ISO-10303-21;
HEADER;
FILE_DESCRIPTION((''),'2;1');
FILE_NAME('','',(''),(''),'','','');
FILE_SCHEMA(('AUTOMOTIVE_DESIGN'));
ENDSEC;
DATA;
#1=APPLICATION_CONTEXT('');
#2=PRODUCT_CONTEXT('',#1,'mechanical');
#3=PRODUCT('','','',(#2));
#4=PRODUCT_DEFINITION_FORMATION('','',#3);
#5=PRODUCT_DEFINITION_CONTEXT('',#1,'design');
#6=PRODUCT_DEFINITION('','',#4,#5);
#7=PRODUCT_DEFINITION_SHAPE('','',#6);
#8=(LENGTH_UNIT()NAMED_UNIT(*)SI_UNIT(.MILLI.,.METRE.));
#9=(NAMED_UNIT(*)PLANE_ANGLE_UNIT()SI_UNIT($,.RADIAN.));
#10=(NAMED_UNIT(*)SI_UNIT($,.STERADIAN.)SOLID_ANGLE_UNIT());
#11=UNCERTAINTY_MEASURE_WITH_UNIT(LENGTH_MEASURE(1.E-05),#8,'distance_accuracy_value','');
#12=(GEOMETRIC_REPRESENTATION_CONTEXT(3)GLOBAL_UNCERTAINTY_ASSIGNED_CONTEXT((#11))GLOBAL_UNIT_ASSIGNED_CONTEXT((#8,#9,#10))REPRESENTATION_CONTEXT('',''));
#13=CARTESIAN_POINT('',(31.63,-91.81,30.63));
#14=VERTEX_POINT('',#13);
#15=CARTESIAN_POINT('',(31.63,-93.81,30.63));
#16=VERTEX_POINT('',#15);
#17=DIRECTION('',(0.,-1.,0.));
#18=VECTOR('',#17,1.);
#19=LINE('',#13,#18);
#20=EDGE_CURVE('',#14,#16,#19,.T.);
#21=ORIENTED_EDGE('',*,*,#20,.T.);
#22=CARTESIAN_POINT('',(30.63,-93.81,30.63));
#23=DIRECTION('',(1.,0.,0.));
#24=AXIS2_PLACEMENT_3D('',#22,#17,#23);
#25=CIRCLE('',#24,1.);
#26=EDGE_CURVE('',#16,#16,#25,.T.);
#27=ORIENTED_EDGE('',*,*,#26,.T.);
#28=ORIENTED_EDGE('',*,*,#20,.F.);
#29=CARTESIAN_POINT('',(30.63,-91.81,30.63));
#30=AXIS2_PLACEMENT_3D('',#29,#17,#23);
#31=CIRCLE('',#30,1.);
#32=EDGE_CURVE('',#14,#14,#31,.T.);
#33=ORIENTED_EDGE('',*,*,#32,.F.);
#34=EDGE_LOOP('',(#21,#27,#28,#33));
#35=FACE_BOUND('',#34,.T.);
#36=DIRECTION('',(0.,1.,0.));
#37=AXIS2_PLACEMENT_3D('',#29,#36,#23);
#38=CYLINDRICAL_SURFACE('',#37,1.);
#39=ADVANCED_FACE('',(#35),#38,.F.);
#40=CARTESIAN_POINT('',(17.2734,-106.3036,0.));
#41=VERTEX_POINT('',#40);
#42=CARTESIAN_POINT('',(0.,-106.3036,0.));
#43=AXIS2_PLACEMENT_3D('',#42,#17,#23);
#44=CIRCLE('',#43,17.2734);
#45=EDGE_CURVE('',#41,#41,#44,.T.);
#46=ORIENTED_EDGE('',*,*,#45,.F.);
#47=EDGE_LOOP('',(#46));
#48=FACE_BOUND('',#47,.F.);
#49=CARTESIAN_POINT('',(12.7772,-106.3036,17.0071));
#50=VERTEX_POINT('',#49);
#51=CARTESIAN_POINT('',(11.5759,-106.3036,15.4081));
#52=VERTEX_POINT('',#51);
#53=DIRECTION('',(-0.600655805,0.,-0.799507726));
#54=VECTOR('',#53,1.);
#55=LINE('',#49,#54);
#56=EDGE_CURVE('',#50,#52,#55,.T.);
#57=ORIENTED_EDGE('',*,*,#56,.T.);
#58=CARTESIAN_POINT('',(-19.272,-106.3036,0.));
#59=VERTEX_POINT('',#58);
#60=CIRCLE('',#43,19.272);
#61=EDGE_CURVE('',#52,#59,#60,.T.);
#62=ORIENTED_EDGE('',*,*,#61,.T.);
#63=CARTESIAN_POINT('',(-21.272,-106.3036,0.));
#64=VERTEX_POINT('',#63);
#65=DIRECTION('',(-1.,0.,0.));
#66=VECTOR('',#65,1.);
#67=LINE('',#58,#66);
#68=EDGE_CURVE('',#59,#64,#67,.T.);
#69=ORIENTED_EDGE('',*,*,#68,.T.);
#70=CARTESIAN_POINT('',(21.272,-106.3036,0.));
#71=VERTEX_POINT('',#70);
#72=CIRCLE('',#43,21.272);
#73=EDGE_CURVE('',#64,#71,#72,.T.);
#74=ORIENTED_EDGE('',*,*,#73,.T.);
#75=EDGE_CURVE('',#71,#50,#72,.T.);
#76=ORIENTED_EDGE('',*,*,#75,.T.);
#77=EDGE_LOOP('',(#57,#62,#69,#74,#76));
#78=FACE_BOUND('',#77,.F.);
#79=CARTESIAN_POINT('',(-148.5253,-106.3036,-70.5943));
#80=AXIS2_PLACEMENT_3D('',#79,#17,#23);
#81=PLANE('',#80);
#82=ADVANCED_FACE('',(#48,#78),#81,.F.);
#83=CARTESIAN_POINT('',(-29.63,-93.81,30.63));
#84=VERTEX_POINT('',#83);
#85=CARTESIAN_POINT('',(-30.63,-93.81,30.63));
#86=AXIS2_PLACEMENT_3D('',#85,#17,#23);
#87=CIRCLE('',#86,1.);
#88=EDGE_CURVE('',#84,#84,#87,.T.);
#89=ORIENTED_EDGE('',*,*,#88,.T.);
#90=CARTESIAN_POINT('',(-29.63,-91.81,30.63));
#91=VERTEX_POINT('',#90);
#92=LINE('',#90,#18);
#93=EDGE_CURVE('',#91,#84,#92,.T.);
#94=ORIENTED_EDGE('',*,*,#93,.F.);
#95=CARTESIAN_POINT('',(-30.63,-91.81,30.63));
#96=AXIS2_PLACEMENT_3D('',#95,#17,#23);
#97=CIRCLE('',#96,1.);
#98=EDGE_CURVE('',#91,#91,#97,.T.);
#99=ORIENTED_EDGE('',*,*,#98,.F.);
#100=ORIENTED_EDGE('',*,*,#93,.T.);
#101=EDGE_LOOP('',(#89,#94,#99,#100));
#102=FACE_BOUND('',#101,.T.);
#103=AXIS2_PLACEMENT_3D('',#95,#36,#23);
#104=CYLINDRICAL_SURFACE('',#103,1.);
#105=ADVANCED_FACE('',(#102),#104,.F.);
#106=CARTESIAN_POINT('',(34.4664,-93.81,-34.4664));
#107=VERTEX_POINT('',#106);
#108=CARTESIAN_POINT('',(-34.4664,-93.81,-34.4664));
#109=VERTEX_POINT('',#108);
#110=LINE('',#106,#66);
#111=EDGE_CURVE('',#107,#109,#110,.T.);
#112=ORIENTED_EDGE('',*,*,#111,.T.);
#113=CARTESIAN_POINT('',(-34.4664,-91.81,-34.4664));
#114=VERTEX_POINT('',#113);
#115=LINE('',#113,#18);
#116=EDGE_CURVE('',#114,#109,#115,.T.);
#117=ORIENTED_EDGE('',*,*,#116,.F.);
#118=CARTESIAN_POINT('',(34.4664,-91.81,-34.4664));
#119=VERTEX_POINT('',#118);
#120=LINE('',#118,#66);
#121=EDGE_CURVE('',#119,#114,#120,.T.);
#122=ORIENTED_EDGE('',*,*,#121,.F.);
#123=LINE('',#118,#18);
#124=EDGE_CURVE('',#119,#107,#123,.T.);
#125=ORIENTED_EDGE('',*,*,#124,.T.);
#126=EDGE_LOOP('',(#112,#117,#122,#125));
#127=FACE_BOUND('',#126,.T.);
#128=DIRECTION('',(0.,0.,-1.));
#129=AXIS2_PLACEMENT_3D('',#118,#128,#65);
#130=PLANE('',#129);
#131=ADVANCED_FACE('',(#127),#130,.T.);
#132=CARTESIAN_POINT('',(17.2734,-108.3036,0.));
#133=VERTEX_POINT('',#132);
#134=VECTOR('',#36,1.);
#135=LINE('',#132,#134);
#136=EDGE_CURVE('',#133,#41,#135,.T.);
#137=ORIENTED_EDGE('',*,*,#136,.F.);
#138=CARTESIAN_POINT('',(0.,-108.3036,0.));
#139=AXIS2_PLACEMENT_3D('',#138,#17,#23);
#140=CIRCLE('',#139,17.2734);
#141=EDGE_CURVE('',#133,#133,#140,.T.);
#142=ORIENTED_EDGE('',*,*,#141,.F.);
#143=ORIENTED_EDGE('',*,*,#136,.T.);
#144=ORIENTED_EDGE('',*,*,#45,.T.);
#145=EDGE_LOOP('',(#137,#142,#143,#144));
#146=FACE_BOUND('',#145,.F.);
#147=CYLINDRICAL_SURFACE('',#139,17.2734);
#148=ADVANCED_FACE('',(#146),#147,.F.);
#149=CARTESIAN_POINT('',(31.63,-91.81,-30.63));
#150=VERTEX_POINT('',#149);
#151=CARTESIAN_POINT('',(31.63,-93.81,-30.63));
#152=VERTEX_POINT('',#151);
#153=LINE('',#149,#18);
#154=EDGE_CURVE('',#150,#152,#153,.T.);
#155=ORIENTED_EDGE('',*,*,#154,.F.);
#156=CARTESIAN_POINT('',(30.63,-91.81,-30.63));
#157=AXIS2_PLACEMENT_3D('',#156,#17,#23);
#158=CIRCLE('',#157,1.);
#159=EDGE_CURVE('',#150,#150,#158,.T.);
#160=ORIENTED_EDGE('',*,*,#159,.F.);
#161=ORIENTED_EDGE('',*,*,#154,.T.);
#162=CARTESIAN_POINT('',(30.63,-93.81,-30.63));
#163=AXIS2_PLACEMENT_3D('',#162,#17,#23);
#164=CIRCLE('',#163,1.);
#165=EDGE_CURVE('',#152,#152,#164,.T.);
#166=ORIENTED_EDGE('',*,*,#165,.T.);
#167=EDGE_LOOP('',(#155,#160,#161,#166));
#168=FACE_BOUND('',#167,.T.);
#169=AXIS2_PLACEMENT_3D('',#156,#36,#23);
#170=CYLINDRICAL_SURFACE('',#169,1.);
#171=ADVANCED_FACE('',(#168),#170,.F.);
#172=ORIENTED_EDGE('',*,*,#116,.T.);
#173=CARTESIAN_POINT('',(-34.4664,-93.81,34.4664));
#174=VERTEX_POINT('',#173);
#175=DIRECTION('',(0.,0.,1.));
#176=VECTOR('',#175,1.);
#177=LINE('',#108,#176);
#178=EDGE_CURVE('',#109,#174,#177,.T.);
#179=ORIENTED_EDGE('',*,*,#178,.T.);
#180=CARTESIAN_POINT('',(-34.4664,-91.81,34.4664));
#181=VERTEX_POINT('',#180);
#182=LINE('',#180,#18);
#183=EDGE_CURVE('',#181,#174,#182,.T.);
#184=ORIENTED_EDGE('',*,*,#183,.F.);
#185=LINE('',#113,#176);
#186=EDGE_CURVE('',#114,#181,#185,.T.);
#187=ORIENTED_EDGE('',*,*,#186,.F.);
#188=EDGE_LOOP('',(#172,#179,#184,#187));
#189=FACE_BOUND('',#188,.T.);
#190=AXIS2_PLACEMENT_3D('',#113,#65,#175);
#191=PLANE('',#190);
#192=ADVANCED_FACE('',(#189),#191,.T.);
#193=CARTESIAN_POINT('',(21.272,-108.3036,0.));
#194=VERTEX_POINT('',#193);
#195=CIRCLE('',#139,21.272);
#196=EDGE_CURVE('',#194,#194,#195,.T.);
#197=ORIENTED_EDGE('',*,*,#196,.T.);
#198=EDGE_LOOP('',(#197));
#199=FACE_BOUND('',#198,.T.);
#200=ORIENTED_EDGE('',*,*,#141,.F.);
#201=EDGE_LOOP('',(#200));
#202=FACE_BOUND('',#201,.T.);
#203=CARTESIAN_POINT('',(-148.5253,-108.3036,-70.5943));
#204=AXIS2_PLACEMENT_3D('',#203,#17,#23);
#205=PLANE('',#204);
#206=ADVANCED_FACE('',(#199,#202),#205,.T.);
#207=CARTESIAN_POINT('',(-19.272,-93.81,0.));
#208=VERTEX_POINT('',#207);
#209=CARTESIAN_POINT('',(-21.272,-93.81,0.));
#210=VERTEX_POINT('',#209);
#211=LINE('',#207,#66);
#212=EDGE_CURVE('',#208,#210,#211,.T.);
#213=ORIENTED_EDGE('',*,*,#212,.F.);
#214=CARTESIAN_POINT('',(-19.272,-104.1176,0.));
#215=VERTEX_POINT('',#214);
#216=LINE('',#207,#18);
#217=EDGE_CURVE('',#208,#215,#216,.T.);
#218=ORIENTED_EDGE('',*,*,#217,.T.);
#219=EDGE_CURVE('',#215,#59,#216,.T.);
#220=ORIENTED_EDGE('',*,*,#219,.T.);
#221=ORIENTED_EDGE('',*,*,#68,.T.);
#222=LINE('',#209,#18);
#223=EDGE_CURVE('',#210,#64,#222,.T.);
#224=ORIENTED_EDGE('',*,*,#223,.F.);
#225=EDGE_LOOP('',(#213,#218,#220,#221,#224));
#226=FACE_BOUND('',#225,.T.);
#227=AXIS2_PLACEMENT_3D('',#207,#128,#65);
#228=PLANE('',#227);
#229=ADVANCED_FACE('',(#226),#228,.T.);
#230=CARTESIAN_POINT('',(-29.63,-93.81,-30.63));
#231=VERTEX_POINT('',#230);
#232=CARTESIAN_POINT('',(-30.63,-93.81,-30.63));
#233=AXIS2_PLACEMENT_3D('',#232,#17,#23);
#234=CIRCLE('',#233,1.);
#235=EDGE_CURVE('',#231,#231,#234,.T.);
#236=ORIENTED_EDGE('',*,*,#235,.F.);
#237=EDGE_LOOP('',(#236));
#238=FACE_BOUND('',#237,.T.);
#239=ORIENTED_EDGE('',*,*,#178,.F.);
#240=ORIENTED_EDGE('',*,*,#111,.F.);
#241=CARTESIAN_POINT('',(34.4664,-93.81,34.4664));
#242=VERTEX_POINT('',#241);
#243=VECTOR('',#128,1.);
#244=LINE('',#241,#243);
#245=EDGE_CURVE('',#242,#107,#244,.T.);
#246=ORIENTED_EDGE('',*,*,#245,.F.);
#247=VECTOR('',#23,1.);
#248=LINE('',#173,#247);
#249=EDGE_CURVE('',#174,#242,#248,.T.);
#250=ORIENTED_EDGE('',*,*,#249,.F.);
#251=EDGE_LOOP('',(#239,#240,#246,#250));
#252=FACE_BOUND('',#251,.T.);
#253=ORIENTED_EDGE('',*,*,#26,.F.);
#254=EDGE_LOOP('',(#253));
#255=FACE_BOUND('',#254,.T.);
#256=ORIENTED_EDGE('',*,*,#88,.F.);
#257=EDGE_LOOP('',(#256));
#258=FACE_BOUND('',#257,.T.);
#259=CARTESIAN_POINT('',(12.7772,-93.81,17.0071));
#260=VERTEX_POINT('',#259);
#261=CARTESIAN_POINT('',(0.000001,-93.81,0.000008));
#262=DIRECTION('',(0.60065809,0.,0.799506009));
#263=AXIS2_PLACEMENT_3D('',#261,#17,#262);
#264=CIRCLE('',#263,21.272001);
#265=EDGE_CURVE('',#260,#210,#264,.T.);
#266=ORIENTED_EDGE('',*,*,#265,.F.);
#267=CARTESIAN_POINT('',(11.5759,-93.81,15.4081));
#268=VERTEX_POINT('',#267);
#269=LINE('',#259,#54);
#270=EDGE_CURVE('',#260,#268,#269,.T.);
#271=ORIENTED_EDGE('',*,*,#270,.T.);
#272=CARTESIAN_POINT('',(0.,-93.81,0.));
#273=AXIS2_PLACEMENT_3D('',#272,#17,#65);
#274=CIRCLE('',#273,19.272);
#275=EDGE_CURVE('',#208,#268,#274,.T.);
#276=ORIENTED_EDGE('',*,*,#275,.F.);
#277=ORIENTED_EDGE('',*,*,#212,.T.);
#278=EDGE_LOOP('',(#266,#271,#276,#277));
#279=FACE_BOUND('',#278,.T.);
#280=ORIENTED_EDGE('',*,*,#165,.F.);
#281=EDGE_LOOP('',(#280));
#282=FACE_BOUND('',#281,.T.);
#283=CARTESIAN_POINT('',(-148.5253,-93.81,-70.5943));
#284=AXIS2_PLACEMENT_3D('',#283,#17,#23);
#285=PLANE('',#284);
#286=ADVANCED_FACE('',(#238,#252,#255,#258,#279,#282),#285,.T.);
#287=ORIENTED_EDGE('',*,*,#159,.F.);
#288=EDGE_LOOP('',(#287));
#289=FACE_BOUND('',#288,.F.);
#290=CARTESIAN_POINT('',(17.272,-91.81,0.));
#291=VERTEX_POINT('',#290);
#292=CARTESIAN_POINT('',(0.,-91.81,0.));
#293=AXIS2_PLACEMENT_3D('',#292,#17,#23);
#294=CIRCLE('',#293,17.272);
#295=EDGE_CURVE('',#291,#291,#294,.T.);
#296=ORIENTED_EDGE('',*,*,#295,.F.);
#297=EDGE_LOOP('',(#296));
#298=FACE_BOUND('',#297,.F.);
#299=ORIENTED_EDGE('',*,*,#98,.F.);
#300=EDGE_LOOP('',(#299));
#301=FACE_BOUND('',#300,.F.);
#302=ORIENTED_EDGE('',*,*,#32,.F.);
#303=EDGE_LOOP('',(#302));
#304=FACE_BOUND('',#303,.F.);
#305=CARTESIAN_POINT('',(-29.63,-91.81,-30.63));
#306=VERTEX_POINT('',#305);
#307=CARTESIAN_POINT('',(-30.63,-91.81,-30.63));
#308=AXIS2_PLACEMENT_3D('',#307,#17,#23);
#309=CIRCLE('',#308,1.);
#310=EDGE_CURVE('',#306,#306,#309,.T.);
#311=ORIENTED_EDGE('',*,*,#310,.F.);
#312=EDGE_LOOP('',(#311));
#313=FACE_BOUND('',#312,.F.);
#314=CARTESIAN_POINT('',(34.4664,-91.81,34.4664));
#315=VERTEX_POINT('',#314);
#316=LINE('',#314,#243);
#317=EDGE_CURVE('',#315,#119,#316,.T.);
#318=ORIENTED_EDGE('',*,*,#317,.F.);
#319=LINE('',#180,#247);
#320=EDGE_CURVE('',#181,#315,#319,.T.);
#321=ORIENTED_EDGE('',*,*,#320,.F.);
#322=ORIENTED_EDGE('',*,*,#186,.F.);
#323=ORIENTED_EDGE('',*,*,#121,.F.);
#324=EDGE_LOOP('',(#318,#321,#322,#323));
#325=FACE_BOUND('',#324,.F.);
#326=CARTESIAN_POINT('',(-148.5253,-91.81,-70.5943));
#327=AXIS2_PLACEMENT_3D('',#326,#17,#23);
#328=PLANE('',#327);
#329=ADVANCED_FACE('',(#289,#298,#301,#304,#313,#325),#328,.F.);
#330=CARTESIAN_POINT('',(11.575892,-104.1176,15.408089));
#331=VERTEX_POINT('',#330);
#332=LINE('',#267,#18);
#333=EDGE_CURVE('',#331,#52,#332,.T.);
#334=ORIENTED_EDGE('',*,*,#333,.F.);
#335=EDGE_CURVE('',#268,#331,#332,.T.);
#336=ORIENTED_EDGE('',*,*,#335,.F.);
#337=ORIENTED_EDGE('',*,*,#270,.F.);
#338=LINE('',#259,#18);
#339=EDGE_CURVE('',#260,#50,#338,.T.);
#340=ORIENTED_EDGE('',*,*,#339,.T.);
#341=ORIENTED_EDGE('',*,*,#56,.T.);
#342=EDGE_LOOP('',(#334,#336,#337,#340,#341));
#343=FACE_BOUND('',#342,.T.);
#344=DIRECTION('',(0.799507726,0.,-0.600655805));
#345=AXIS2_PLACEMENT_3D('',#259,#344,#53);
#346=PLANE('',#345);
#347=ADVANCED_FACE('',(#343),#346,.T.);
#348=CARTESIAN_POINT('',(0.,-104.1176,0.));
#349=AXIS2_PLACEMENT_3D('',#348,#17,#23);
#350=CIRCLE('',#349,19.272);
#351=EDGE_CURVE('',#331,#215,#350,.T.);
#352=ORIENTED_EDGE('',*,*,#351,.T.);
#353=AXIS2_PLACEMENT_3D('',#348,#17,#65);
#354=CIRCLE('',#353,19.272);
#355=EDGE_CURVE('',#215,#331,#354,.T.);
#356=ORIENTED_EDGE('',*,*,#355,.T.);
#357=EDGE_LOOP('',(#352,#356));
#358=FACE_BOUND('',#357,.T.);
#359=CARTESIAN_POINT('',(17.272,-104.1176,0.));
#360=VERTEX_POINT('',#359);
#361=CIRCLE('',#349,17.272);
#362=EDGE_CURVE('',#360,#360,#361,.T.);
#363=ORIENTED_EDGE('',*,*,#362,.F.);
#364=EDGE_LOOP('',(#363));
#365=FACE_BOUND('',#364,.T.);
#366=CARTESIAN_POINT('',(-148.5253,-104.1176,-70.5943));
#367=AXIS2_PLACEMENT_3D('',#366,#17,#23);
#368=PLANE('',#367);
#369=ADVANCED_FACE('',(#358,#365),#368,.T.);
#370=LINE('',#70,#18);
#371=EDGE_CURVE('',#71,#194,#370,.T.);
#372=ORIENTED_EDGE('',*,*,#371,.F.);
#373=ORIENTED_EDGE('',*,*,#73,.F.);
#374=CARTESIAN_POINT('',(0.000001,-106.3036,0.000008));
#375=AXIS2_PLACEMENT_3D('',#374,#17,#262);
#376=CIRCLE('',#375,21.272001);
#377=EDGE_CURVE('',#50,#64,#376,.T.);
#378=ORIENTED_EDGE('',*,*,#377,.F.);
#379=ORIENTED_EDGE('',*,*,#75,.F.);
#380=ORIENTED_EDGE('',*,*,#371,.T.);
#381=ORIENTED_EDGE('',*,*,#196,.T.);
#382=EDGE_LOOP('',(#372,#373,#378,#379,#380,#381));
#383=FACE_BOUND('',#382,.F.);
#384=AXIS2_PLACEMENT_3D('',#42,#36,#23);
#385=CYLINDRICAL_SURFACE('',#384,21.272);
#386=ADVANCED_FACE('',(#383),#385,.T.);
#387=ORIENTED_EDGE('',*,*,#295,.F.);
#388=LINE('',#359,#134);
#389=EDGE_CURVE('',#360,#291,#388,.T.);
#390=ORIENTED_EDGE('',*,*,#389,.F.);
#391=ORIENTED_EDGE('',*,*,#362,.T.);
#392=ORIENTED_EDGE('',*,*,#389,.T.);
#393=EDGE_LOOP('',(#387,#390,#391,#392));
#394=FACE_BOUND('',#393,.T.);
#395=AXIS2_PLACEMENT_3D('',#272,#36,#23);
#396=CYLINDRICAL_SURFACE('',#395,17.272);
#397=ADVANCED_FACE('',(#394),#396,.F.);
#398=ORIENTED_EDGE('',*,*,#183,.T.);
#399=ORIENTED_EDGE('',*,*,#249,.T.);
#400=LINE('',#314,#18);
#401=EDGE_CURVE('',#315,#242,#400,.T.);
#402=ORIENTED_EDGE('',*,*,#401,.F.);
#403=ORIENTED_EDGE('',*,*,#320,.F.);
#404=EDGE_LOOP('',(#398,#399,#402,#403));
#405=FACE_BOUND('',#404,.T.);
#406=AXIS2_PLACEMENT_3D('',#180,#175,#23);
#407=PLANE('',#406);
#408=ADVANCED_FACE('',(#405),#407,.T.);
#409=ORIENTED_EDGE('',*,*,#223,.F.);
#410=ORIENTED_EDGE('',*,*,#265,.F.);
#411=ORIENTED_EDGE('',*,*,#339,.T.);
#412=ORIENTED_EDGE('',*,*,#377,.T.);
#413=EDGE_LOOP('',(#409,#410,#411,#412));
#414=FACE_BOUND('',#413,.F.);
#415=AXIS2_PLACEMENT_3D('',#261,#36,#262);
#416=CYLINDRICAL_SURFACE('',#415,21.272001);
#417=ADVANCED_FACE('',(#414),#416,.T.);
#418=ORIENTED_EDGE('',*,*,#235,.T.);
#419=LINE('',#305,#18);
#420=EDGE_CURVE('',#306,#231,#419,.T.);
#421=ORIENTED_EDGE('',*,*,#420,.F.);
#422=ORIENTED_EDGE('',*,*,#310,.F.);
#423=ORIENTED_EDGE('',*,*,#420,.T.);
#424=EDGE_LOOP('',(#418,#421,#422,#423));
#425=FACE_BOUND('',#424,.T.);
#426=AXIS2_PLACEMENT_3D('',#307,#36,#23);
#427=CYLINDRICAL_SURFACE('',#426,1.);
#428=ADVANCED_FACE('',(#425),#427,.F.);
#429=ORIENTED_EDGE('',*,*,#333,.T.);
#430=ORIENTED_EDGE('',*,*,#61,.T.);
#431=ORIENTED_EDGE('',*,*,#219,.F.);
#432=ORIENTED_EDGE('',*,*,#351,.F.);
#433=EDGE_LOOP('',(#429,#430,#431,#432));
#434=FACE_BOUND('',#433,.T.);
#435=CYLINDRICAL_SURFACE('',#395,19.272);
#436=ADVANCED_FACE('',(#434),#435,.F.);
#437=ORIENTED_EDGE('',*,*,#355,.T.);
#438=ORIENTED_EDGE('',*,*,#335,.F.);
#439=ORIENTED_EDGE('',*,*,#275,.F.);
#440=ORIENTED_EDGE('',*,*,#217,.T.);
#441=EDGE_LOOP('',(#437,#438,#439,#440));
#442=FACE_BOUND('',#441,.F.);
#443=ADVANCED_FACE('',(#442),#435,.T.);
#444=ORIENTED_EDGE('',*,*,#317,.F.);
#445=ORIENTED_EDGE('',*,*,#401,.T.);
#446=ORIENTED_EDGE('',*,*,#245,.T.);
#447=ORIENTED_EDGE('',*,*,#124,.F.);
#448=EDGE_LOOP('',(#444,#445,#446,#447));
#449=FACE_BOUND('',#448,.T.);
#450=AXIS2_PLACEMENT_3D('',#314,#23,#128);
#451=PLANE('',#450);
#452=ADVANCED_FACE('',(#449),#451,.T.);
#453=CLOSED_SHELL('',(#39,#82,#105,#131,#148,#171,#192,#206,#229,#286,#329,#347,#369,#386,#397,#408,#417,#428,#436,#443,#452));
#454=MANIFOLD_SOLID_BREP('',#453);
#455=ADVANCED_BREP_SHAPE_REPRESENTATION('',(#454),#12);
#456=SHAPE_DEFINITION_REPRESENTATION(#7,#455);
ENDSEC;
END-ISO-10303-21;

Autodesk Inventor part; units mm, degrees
ref_plane "Work Plane1" through (-148.5253, -91.81, -70.5943) normal (0, -1, 0) x (1, 0, 0)
sketch "Sketch6" plane through (-148.5253, -91.81, -70.5943) normal (0, -1, 0) x (1, 0, 0)
  line L0 (182.9917, 36.1279) -> (114.0589, 36.1279) projected
  line L1 (182.9917, 105.0607) -> (182.9917, 36.1279) projected
  line L2 (114.0589, 36.1279) -> (114.0589, 105.0607) projected
  line L3 (114.0589, 105.0607) -> (182.9917, 105.0607) projected
  circle A0 centre (179.1553, 101.2243) radius 1 projected
  circle A1 centre (117.8953, 101.2243) radius 1 projected
  circle A2 centre (117.8953, 39.9643) radius 1 projected
  circle A3 centre (179.1553, 39.9643) radius 1 projected
  point P0 (148.5253, 70.5943)
extrude "Extrusion1" add sketch "Sketch6" along normal blind 2
ref_plane "Work Plane3" through (-148.5253, -93.81, -70.5943) normal (0, -1, 0) x (1, 0, 0)
sketch "Sketch7" plane through (-148.5253, -93.81, -70.5943) normal (0, -1, 0) x (1, 0, 0)
  circle A0 centre (148.5253, 70.5943) radius 17.272
  dimension "d3" = 34.544
extrude "Extrusion2" cut sketch "Sketch7" against normal blind 2
ref_plane "Work Plane2" through (-148.5253, -93.81, -70.5943) normal (0, -1, 0) x (1, 0, 0)
sketch "Sketch8" plane through (-148.5253, -93.81, -70.5943) normal (0, -1, 0) x (1, 0, 0)
  circle A0 centre (148.5253, 70.5943) radius 19.272
  circle A1 centre (148.5253, 70.5943) radius 17.272 projected
  dimension "d6" = 2
extrude "Extrusion3" add sketch "Sketch8" along normal blind 10.3076
sketch "Sketch9" plane through (-148.5253, -93.81, -70.5943) normal (0, -1, 0) x (1, 0, 0)
  arc A0 (160.2004, 63.2971) -> (137.9644, 32.6515) centre (152.0021, 45.8559) ccw projected
  circle A1 centre (148.5253, 70.5943) radius 19.272 projected
  arc A2 (161.3025, 87.6014) -> (127.2533, 70.5943) centre (148.5253, 70.5943) ccw
  line L0 (129.2533, 70.5943) -> (127.2533, 70.5943)
  line L1 (161.3025, 87.6014) -> (160.1012, 86.0024)
  dimension "d9" = 2
  dimension "d10" = 1.599
ref_plane "Work Plane4" through (79.84, -63.33, -9.91) normal (-1, 0, 0) x (0, 1, 0)
sketch "Sketch10" plane through (79.84, -63.33, -9.91) normal (-1, 0, 0) x (0, 1, 0)
  line L0 (-30.48, -44.3764) -> (-30.48, 24.5564) construction
  line L1 (-40.7876, 9.362) -> (-40.7876, -29.182) construction
  line L2 (-42.7826, 28.0328) -> (-42.7826, -4.4435) construction
  point P0 (63.33, -9.91)
  dimension "d11" = 10.3076
  dimension "d12" = 12.3026
extrude "Extrusion4" add sketch "Sketch9" along normal blind 12.4936 contours A1 L0 A2 L1
sketch "Sketch11" plane through (-148.5253, -106.3036, -70.5943) normal (0, -1, 0) x (1, 0, 0)
  arc A0 (236.18, 74.3245) -> (238.4751, 66.3206) centre (237.3276, 70.3226) ccw construction
  line L0 (236.18, 74.3245) -> (189.5181, 60.9444) construction
  arc A1 (160.2004, 63.2971) -> (189.5181, 60.9444) centre (177.9908, 101.1449) ccw construction
  arc A2 (160.2004, 63.2971) -> (137.9644, 32.6515) centre (152.0021, 45.8559) ccw construction
  line L1 (136.5076, 31.2812) -> (137.9644, 32.6515) construction
  arc A3 (136.5076, 31.2812) -> (169.8778, 34.3252) centre (152.0021, 45.8559) ccw construction
  arc A4 (172.0656, 37.3886) -> (169.8778, 34.3252) centre (203.3405, 12.74) ccw construction
  line L2 (170.4948, 38.6266) -> (172.0656, 37.3886) construction
  arc A5 (191.8132, 52.9405) -> (170.4948, 38.6266) centre (203.3405, 12.74) ccw construction
  line L3 (191.8132, 52.9405) -> (238.4751, 66.3206) construction
  line L4 (129.2533, 70.5943) -> (127.2533, 70.5943) construction
  line L5 (129.2533, 70.5943) -> (165.4777, 70.5943) construction
  circle A6 centre (148.5253, 70.5943) radius 17.272 construction
  line L6 (148.5253, 87.8663) -> (148.5253, 53.3223) construction
  circle A7 centre (148.5253, 70.5943) radius 17.272 construction
  circle A8 centre (148.5253, 70.5943) radius 19.272 construction
  circle A9 centre (148.5253, 70.5943) radius 21.272
  dimension "d15" = 42.544
extrude "Extrusion5" add sketch "Sketch11" along normal blind 2
sketch "Sketch12" plane through (0, -108.3036, 0) normal (0, -1, 0) x (1, 0, 0)
  circle A0 centre (0, 0) radius 17.2734 projected
extrude "Extrusion6" cut sketch "Sketch12" against normal blind 2
properties part number "TrapAdapter" material "ABS Plastic"
